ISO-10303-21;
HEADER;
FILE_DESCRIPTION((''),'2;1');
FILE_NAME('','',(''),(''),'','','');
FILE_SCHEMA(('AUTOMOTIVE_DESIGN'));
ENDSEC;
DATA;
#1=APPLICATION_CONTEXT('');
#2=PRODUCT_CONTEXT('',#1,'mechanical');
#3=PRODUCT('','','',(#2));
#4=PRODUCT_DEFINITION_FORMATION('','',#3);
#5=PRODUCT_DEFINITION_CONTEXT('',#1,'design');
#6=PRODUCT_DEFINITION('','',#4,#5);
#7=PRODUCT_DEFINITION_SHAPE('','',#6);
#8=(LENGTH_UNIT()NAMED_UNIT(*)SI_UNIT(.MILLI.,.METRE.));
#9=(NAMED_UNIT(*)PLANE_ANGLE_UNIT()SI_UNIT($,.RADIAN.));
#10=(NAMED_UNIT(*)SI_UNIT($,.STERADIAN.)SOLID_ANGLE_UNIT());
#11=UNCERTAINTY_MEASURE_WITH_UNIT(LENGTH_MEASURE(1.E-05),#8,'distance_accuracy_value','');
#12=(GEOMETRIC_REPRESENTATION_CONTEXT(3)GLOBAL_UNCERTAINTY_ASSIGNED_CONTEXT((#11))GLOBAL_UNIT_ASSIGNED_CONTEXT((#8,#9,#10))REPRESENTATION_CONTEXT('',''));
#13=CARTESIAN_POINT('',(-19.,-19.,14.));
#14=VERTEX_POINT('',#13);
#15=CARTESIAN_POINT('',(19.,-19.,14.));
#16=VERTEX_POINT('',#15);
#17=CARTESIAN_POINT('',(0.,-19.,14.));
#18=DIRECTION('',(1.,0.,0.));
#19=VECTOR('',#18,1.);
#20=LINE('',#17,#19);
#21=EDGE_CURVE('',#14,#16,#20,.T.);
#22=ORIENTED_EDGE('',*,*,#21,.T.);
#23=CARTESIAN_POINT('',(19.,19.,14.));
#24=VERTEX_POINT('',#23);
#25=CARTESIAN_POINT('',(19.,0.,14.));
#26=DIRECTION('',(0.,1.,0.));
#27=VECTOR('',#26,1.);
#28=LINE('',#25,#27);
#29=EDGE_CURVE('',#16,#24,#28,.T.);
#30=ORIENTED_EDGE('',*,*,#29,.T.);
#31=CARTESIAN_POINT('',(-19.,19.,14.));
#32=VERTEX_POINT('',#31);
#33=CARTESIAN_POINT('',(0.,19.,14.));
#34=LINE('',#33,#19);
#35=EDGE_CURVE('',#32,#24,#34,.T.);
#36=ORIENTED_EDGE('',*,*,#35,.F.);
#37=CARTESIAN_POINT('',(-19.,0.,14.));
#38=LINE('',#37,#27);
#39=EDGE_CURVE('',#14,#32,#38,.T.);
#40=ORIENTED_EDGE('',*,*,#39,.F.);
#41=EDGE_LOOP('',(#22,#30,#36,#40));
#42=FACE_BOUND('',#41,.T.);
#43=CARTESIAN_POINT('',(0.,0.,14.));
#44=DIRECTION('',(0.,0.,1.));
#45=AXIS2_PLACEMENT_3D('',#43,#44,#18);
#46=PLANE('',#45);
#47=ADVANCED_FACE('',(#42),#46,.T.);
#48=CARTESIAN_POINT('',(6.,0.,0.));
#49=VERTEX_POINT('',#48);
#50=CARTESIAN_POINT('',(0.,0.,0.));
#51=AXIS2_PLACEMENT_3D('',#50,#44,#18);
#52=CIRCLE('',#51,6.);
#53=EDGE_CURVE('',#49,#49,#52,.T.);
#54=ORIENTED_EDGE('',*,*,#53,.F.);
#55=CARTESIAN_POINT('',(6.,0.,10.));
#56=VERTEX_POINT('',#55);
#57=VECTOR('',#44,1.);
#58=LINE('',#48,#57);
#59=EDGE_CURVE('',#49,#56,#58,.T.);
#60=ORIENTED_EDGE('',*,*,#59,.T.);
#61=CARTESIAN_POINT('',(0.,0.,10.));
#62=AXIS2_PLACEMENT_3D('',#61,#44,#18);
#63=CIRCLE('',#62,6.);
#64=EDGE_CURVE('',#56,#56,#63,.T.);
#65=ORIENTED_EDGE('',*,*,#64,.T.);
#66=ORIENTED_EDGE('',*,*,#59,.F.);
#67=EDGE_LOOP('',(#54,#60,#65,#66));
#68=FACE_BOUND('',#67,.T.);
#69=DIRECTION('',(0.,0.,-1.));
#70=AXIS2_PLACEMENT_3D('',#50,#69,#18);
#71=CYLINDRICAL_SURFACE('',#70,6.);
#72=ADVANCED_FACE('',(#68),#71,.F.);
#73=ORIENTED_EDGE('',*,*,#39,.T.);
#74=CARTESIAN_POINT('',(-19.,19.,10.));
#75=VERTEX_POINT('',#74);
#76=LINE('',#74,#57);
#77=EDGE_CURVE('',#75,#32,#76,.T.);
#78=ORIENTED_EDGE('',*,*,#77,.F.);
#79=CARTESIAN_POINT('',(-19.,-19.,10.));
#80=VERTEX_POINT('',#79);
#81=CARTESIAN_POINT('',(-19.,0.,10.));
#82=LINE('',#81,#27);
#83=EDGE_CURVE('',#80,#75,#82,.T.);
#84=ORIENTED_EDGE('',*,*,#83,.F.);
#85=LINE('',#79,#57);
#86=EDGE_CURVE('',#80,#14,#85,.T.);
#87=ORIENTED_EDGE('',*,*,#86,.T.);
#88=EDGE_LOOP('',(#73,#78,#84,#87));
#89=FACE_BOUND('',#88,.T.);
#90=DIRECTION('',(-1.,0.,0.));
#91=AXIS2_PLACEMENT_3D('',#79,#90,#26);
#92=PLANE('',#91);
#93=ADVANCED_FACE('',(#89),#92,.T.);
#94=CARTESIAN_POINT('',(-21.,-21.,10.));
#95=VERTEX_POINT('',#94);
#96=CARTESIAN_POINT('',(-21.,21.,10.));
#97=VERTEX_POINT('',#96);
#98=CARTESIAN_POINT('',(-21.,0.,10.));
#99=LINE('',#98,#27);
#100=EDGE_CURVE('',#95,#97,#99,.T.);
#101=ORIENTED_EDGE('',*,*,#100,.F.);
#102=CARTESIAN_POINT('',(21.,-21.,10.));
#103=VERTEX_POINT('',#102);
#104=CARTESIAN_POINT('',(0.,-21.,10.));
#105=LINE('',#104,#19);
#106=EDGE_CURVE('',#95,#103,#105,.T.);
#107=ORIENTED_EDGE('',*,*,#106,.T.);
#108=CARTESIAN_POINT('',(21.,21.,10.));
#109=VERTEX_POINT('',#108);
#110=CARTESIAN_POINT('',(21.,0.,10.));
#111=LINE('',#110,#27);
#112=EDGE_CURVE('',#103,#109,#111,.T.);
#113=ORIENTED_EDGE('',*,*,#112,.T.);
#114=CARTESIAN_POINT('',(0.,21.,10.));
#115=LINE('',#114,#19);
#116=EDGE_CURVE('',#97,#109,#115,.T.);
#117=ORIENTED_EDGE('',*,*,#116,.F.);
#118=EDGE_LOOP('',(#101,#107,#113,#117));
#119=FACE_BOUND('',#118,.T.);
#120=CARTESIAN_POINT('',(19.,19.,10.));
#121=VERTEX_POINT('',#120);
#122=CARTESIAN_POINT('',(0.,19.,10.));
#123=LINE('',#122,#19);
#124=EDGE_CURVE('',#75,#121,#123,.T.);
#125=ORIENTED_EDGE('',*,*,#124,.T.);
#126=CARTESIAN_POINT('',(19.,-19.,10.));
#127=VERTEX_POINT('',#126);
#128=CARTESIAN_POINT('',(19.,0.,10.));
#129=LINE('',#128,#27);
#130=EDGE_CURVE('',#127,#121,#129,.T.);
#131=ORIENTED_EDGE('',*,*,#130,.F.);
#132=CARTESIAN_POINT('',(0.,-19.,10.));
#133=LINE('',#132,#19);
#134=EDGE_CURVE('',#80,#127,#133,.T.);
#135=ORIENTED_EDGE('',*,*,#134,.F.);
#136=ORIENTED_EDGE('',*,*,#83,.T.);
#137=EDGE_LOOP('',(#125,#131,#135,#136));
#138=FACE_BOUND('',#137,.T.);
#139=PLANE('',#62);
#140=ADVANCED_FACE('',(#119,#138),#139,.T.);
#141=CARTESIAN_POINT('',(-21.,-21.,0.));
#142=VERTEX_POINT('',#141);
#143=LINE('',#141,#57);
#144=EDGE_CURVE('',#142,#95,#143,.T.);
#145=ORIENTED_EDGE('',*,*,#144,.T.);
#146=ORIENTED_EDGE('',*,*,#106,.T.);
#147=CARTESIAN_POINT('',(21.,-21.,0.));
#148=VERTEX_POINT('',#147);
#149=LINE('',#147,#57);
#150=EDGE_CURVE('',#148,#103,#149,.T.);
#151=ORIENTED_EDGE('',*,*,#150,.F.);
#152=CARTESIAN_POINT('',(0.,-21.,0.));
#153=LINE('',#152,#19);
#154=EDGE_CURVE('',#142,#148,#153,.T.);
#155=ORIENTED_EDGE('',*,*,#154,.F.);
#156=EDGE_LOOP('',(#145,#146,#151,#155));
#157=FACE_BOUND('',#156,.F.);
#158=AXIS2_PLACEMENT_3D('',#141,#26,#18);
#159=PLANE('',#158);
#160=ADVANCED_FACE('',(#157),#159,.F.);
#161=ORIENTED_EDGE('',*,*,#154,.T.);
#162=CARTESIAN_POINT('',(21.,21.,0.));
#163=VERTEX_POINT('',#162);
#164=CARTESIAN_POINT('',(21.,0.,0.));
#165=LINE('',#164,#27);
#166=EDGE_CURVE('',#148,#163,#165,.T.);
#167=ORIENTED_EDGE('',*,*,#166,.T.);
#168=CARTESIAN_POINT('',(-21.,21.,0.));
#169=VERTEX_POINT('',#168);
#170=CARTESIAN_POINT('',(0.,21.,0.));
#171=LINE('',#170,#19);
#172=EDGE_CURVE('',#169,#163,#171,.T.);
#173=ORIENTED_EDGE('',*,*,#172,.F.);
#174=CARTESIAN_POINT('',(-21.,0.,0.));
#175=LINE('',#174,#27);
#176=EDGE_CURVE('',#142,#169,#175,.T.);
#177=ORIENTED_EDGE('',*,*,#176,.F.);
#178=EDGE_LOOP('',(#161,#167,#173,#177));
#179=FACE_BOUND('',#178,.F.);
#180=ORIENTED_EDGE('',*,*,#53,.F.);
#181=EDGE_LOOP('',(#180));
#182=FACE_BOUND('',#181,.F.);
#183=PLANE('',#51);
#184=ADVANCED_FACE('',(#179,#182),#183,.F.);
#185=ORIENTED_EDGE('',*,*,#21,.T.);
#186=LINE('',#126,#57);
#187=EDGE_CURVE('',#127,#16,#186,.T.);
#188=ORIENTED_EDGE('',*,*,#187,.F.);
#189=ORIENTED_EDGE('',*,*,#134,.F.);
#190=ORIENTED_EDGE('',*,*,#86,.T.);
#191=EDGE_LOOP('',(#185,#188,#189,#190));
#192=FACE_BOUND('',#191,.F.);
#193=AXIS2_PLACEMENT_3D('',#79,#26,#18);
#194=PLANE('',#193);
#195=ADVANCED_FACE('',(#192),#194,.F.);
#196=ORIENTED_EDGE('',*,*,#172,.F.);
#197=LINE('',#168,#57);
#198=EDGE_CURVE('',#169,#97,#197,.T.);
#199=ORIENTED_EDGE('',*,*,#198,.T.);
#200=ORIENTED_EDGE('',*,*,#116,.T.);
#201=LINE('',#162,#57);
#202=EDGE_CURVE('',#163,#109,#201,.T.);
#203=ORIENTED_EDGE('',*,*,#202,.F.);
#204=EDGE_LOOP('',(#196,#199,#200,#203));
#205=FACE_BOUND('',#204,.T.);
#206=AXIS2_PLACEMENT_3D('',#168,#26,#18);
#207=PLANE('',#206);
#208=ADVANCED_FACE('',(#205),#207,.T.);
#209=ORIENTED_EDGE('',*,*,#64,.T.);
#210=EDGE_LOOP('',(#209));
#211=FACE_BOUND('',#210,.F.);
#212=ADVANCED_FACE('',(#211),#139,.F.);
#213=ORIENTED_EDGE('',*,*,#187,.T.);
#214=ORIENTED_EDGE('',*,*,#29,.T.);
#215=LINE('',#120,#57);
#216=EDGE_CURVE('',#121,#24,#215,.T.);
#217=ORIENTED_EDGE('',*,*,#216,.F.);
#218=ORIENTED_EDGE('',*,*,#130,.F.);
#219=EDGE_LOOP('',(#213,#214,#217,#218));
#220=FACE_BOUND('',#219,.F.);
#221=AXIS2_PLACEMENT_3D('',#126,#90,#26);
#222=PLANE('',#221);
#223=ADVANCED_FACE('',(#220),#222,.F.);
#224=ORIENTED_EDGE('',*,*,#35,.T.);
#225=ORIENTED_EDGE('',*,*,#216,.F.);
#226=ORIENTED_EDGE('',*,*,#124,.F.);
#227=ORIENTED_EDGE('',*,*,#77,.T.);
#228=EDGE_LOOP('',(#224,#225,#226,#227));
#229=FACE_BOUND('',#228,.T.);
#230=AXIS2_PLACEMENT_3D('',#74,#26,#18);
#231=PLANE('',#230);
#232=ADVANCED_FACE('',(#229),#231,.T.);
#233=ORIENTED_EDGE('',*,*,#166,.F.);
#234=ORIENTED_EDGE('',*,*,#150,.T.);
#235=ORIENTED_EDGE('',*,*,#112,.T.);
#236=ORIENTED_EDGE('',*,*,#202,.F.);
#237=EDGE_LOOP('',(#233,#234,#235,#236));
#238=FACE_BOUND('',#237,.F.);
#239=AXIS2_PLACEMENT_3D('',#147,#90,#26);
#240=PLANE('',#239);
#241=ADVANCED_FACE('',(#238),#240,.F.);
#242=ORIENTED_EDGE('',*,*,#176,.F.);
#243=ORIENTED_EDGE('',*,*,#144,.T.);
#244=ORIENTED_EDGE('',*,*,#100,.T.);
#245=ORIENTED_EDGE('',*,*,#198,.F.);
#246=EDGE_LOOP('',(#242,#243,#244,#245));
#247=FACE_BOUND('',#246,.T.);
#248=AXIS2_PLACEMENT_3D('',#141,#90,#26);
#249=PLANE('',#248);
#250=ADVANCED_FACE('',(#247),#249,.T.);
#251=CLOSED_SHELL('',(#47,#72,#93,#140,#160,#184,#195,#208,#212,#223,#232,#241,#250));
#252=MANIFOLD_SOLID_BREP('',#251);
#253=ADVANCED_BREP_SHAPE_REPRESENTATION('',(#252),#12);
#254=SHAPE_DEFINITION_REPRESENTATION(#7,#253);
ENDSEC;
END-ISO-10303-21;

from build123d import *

# Parameters (mm, degrees)
SKETCH_W     = 42
SKETCH_H     = 42
SKETCH_R     = 6
PAD_DEPTH    = 10
SKETCH001_W  = 38
SKETCH001_H  = 38
PAD001_DEPTH = 4


with BuildPart() as part:
    # Sketch → Pad (new body)
    with BuildSketch(Plane.XY):
        Rectangle(SKETCH_W, SKETCH_H)
        Circle(SKETCH_R, mode=Mode.SUBTRACT)
    extrude(amount=PAD_DEPTH)

    # Sketch001 (on Face7 of Pad) → Pad001 (join)
    with BuildSketch(Plane.XY.offset(10)):
        Rectangle(SKETCH001_W, SKETCH001_H)
    extrude(amount=PAD001_DEPTH)


solid = part.part
